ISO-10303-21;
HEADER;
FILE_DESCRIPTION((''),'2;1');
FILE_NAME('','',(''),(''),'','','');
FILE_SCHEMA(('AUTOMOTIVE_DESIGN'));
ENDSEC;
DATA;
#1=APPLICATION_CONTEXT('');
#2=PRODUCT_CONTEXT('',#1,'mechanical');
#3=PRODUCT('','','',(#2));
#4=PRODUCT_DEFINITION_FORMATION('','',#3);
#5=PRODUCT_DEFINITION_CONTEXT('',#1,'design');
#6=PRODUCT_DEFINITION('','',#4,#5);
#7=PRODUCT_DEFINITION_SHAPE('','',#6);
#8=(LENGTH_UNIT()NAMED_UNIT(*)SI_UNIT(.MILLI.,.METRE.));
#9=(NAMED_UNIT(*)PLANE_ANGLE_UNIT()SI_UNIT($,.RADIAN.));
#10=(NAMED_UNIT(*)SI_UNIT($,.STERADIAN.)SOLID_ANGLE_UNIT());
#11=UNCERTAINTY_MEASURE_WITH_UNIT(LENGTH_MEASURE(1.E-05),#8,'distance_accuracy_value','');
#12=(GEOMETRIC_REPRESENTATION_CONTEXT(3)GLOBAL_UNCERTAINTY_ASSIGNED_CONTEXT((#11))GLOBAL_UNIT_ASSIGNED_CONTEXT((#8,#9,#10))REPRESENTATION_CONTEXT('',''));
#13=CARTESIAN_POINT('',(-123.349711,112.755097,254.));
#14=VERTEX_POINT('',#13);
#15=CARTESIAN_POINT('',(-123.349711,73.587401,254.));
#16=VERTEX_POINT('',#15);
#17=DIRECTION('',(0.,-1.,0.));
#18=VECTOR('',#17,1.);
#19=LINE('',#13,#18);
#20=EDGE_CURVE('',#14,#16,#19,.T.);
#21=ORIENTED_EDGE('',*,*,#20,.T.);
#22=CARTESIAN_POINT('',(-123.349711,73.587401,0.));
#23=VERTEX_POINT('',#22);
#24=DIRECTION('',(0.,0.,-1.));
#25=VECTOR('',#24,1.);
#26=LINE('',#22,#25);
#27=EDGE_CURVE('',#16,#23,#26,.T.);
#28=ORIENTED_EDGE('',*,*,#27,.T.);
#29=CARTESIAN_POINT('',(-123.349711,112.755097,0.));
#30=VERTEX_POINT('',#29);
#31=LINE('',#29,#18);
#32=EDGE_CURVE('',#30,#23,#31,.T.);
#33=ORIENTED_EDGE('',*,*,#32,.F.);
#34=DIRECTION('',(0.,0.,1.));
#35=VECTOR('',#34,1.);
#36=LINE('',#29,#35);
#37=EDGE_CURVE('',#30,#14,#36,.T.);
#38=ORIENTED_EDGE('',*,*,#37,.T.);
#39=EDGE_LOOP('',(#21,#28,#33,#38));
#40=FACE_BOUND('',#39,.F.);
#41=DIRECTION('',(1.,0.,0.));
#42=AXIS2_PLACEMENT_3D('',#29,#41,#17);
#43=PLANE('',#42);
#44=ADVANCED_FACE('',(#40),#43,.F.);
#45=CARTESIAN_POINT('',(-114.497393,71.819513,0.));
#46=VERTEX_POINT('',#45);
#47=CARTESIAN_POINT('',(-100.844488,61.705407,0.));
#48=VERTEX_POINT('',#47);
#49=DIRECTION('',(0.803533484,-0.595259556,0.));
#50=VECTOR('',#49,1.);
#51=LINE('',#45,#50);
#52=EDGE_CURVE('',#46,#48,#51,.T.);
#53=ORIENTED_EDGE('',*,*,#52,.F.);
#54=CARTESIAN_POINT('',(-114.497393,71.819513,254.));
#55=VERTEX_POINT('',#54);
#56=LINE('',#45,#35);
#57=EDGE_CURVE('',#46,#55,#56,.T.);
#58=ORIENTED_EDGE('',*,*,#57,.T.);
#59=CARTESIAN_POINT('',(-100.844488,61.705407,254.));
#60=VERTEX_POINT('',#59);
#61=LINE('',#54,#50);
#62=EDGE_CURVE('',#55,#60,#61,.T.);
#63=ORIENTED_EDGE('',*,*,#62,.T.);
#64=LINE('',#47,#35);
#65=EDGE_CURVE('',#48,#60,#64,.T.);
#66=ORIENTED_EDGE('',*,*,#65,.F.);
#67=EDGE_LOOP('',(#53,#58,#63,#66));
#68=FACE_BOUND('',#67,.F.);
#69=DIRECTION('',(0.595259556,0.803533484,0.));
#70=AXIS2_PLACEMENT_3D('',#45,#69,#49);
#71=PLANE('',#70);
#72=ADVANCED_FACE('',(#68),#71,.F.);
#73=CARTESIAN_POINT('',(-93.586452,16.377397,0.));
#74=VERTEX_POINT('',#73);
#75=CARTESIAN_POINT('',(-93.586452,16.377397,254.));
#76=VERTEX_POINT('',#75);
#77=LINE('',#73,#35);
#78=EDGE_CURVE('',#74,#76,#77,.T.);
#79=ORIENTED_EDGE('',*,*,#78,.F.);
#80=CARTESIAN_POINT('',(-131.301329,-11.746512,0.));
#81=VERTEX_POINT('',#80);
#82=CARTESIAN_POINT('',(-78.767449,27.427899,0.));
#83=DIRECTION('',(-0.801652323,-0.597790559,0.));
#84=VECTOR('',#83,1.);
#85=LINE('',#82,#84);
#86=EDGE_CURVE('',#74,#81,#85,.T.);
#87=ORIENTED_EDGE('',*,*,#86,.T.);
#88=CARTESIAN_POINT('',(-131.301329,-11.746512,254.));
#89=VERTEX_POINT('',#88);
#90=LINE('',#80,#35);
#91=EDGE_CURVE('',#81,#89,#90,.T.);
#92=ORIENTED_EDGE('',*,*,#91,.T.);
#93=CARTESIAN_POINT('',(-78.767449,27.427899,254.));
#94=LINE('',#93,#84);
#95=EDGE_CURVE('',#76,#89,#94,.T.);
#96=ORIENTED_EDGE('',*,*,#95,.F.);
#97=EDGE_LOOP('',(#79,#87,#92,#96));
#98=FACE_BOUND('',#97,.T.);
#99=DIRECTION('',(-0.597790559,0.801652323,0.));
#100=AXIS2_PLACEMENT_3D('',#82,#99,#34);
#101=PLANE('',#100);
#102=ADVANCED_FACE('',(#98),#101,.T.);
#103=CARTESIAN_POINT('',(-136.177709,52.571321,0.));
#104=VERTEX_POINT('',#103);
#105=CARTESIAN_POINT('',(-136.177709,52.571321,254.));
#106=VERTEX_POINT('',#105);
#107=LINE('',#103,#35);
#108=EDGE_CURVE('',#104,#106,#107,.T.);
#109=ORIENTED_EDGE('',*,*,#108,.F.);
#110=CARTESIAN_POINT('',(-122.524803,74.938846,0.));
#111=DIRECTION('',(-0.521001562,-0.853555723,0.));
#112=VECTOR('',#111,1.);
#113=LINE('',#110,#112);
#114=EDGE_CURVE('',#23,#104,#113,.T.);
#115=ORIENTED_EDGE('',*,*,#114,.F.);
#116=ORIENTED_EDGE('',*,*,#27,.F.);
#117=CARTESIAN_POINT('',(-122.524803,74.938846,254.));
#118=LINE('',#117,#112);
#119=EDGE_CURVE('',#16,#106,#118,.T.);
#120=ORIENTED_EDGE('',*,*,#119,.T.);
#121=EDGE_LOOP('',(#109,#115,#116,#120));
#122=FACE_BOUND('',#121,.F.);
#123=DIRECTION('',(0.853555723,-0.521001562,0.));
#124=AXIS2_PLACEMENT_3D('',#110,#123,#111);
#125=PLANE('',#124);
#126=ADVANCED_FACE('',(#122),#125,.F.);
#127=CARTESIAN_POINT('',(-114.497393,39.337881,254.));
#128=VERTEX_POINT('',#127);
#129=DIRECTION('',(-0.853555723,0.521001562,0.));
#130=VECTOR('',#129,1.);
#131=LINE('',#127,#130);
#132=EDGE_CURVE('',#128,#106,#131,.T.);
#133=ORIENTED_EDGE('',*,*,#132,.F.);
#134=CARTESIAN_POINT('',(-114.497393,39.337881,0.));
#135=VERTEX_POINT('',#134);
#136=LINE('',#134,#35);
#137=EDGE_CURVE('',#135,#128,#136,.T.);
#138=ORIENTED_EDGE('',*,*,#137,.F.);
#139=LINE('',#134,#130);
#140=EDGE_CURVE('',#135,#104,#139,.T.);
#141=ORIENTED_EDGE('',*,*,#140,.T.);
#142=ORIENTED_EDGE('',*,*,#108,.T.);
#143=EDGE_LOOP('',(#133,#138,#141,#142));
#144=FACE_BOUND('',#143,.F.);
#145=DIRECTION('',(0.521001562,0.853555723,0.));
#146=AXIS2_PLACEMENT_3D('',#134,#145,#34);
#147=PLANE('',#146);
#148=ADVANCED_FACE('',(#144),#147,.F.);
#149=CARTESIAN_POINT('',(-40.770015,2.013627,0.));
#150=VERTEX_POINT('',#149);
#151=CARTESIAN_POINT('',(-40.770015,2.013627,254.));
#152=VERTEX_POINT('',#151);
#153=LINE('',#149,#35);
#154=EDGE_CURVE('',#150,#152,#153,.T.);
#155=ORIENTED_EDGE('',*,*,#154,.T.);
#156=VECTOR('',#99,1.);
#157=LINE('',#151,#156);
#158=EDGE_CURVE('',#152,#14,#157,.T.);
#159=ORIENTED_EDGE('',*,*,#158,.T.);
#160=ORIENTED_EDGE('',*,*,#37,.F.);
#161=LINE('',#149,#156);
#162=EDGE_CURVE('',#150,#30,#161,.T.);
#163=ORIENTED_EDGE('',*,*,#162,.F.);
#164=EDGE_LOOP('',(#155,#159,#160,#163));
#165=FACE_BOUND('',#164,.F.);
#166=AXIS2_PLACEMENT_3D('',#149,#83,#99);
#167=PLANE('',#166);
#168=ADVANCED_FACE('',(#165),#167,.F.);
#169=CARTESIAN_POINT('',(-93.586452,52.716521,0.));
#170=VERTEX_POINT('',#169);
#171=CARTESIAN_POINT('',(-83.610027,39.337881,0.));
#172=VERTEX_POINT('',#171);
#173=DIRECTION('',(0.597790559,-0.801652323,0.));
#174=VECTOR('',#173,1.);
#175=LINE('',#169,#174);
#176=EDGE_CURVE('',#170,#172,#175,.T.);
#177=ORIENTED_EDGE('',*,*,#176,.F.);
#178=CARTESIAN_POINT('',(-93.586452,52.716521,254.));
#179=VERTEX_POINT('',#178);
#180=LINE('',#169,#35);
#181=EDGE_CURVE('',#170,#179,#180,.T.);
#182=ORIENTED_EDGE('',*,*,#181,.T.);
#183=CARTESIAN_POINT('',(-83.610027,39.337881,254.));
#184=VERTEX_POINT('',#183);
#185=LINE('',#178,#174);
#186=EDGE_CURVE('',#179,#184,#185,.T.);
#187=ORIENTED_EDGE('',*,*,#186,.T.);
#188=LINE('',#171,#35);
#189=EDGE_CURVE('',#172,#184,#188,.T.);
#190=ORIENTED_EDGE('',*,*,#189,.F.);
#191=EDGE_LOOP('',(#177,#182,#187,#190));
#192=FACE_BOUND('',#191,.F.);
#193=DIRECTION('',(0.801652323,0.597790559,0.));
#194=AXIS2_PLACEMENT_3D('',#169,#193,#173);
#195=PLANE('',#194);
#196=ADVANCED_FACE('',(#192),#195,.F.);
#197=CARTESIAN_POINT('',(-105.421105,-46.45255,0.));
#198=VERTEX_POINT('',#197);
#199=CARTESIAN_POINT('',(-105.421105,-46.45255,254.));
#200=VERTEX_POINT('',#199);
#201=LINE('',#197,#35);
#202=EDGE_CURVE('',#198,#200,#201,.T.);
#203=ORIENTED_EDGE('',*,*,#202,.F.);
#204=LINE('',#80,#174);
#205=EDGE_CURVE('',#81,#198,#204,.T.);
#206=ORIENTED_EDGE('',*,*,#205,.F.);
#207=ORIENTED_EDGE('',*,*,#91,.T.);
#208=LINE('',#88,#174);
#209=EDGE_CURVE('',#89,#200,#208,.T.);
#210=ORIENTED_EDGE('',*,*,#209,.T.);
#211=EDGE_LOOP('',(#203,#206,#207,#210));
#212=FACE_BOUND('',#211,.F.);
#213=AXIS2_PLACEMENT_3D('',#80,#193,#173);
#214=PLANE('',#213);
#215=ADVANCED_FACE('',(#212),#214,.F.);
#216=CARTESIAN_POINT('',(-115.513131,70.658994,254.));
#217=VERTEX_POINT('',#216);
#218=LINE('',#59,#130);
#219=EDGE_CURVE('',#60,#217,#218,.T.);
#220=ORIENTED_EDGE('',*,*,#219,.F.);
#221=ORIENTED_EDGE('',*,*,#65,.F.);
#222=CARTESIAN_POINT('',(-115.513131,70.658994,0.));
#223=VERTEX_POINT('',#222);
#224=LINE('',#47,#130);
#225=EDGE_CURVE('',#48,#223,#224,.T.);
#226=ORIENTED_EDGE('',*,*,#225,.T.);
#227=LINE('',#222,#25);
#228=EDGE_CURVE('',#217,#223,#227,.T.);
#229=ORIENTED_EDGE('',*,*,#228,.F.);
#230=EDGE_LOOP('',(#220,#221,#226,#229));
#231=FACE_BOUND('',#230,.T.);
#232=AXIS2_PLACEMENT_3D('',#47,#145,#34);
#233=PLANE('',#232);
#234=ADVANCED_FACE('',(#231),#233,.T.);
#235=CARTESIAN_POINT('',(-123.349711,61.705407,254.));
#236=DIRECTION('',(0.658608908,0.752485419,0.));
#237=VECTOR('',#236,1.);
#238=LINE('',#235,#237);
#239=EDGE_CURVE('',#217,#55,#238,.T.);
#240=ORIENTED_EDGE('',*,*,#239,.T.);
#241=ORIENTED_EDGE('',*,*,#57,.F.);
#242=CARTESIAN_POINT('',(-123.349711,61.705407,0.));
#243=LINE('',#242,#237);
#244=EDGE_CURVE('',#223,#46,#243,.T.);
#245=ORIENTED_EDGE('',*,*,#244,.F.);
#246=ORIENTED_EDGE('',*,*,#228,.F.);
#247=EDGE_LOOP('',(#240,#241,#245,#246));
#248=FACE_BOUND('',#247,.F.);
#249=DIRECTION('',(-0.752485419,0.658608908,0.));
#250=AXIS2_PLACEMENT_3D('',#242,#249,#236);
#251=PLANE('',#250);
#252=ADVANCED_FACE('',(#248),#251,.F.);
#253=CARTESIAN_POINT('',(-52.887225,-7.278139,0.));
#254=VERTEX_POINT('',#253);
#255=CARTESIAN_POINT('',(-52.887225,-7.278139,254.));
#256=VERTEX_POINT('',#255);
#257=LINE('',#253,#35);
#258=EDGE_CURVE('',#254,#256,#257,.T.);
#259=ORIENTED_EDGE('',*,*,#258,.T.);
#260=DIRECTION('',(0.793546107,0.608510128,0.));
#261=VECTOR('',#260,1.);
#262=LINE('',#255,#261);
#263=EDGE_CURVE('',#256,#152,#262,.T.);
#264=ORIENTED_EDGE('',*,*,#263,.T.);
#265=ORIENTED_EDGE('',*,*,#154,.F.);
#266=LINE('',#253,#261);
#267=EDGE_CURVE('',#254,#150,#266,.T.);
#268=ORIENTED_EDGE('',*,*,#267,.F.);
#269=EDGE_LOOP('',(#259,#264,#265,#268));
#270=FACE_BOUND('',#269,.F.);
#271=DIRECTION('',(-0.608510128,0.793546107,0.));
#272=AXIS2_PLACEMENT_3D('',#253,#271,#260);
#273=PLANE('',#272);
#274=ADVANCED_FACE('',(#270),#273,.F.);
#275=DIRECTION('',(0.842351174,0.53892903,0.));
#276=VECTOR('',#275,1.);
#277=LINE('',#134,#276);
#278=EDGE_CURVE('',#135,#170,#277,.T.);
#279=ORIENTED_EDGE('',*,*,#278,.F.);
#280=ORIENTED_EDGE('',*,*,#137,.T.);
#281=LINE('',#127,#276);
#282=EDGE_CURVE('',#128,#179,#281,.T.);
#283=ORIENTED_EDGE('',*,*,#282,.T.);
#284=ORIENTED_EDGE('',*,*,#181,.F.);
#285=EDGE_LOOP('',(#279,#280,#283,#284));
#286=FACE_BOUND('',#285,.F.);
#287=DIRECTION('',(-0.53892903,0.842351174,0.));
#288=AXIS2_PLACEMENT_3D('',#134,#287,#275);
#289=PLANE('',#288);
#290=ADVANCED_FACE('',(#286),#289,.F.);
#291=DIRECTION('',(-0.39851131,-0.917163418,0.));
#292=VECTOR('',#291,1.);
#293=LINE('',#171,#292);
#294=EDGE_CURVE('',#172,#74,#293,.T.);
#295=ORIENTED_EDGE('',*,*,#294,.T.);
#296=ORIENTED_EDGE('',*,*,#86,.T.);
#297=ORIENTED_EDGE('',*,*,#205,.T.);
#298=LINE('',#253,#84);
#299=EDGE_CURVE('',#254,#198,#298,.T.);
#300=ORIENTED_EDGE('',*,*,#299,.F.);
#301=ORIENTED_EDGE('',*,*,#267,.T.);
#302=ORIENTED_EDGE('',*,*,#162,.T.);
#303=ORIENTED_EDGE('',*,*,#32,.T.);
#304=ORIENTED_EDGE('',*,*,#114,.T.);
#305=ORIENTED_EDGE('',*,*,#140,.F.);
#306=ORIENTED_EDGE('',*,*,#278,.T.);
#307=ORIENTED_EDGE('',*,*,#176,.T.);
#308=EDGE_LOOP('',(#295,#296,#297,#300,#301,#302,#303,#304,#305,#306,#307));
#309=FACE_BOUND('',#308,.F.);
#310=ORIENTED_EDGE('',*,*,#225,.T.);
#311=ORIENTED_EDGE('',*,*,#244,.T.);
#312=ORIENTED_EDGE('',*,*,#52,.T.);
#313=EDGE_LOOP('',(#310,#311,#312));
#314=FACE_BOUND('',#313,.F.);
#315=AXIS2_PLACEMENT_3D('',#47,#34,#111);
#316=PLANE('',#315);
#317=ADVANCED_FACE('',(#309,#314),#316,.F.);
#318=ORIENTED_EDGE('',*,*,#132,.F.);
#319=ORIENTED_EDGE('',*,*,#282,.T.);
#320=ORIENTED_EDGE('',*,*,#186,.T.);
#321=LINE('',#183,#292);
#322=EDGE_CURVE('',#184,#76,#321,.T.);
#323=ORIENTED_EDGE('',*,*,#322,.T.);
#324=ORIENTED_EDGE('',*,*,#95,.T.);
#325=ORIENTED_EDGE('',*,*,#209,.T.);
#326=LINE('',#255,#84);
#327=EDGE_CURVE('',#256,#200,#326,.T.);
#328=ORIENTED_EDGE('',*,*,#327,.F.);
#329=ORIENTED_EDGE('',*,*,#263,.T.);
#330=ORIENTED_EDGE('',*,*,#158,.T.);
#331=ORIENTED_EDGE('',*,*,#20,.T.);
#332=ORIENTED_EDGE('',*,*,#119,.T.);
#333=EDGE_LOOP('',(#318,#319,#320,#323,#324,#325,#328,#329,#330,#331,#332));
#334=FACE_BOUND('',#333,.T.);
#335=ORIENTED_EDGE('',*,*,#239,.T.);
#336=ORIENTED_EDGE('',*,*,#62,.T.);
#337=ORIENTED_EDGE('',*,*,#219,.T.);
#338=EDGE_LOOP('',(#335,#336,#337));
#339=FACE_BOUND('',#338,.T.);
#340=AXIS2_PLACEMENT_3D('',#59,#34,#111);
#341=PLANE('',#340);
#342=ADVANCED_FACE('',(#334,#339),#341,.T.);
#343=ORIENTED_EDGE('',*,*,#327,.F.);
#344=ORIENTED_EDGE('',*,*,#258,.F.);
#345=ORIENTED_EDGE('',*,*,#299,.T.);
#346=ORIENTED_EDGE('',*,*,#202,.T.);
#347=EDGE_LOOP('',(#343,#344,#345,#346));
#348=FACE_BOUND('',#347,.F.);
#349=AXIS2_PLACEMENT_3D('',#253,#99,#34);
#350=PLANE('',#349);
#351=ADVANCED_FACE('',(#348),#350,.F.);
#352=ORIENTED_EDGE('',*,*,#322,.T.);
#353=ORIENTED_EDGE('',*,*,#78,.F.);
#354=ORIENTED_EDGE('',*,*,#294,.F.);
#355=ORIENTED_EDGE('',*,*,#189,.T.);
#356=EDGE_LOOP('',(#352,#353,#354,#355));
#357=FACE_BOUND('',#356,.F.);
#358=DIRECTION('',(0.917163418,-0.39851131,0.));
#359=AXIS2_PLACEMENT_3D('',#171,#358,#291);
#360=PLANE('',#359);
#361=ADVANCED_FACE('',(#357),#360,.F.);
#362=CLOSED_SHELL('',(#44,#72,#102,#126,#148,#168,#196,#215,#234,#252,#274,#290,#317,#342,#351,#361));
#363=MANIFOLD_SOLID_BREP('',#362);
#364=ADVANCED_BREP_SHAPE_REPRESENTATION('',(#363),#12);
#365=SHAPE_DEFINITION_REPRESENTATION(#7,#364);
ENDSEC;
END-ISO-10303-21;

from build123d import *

# Parameters (mm, degrees)
F1_DEPTH = 254
F2_DEPTH = 65.532
F3_DEPTH = 25.4


with BuildPart() as f1:
    # F0 (on Top) → F1 (new body)
    with BuildSketch(Plane.XY):
        Polygon((-40.7700149094, 2.0136271135), (-123.3497112989, 112.7550974488), (-123.3497112989, 61.7054067552), (-114.4973933697, 71.8195125399), (-100.8444875479, 61.7054067552), (-114.4973933697, 39.3378809094), (-93.5864523053, 52.7165209869), (-83.6100267408, 39.3378809094), (-93.5864523053, 16.3773968816), (-78.7674486637, 27.4278987199), (-52.8872246498, -7.2781390256), align=None)
    extrude(amount=F1_DEPTH)

    # F2 (add): a face of the model
    f2_faces = [f1.faces().sort_by_distance(p)[0] for p in [
        (-65.8273366568, 10.0748798471, 127),
    ]]
    extrude(f2_faces, amount=F2_DEPTH)

    # F3 (add): a face of the model
    f3_faces = [f1.faces().sort_by_distance(p)[0] for p in [
        (-107.6709404588, 50.5216438323, 127),
    ]]
    extrude(f3_faces, amount=F3_DEPTH)


solid = f1.part
